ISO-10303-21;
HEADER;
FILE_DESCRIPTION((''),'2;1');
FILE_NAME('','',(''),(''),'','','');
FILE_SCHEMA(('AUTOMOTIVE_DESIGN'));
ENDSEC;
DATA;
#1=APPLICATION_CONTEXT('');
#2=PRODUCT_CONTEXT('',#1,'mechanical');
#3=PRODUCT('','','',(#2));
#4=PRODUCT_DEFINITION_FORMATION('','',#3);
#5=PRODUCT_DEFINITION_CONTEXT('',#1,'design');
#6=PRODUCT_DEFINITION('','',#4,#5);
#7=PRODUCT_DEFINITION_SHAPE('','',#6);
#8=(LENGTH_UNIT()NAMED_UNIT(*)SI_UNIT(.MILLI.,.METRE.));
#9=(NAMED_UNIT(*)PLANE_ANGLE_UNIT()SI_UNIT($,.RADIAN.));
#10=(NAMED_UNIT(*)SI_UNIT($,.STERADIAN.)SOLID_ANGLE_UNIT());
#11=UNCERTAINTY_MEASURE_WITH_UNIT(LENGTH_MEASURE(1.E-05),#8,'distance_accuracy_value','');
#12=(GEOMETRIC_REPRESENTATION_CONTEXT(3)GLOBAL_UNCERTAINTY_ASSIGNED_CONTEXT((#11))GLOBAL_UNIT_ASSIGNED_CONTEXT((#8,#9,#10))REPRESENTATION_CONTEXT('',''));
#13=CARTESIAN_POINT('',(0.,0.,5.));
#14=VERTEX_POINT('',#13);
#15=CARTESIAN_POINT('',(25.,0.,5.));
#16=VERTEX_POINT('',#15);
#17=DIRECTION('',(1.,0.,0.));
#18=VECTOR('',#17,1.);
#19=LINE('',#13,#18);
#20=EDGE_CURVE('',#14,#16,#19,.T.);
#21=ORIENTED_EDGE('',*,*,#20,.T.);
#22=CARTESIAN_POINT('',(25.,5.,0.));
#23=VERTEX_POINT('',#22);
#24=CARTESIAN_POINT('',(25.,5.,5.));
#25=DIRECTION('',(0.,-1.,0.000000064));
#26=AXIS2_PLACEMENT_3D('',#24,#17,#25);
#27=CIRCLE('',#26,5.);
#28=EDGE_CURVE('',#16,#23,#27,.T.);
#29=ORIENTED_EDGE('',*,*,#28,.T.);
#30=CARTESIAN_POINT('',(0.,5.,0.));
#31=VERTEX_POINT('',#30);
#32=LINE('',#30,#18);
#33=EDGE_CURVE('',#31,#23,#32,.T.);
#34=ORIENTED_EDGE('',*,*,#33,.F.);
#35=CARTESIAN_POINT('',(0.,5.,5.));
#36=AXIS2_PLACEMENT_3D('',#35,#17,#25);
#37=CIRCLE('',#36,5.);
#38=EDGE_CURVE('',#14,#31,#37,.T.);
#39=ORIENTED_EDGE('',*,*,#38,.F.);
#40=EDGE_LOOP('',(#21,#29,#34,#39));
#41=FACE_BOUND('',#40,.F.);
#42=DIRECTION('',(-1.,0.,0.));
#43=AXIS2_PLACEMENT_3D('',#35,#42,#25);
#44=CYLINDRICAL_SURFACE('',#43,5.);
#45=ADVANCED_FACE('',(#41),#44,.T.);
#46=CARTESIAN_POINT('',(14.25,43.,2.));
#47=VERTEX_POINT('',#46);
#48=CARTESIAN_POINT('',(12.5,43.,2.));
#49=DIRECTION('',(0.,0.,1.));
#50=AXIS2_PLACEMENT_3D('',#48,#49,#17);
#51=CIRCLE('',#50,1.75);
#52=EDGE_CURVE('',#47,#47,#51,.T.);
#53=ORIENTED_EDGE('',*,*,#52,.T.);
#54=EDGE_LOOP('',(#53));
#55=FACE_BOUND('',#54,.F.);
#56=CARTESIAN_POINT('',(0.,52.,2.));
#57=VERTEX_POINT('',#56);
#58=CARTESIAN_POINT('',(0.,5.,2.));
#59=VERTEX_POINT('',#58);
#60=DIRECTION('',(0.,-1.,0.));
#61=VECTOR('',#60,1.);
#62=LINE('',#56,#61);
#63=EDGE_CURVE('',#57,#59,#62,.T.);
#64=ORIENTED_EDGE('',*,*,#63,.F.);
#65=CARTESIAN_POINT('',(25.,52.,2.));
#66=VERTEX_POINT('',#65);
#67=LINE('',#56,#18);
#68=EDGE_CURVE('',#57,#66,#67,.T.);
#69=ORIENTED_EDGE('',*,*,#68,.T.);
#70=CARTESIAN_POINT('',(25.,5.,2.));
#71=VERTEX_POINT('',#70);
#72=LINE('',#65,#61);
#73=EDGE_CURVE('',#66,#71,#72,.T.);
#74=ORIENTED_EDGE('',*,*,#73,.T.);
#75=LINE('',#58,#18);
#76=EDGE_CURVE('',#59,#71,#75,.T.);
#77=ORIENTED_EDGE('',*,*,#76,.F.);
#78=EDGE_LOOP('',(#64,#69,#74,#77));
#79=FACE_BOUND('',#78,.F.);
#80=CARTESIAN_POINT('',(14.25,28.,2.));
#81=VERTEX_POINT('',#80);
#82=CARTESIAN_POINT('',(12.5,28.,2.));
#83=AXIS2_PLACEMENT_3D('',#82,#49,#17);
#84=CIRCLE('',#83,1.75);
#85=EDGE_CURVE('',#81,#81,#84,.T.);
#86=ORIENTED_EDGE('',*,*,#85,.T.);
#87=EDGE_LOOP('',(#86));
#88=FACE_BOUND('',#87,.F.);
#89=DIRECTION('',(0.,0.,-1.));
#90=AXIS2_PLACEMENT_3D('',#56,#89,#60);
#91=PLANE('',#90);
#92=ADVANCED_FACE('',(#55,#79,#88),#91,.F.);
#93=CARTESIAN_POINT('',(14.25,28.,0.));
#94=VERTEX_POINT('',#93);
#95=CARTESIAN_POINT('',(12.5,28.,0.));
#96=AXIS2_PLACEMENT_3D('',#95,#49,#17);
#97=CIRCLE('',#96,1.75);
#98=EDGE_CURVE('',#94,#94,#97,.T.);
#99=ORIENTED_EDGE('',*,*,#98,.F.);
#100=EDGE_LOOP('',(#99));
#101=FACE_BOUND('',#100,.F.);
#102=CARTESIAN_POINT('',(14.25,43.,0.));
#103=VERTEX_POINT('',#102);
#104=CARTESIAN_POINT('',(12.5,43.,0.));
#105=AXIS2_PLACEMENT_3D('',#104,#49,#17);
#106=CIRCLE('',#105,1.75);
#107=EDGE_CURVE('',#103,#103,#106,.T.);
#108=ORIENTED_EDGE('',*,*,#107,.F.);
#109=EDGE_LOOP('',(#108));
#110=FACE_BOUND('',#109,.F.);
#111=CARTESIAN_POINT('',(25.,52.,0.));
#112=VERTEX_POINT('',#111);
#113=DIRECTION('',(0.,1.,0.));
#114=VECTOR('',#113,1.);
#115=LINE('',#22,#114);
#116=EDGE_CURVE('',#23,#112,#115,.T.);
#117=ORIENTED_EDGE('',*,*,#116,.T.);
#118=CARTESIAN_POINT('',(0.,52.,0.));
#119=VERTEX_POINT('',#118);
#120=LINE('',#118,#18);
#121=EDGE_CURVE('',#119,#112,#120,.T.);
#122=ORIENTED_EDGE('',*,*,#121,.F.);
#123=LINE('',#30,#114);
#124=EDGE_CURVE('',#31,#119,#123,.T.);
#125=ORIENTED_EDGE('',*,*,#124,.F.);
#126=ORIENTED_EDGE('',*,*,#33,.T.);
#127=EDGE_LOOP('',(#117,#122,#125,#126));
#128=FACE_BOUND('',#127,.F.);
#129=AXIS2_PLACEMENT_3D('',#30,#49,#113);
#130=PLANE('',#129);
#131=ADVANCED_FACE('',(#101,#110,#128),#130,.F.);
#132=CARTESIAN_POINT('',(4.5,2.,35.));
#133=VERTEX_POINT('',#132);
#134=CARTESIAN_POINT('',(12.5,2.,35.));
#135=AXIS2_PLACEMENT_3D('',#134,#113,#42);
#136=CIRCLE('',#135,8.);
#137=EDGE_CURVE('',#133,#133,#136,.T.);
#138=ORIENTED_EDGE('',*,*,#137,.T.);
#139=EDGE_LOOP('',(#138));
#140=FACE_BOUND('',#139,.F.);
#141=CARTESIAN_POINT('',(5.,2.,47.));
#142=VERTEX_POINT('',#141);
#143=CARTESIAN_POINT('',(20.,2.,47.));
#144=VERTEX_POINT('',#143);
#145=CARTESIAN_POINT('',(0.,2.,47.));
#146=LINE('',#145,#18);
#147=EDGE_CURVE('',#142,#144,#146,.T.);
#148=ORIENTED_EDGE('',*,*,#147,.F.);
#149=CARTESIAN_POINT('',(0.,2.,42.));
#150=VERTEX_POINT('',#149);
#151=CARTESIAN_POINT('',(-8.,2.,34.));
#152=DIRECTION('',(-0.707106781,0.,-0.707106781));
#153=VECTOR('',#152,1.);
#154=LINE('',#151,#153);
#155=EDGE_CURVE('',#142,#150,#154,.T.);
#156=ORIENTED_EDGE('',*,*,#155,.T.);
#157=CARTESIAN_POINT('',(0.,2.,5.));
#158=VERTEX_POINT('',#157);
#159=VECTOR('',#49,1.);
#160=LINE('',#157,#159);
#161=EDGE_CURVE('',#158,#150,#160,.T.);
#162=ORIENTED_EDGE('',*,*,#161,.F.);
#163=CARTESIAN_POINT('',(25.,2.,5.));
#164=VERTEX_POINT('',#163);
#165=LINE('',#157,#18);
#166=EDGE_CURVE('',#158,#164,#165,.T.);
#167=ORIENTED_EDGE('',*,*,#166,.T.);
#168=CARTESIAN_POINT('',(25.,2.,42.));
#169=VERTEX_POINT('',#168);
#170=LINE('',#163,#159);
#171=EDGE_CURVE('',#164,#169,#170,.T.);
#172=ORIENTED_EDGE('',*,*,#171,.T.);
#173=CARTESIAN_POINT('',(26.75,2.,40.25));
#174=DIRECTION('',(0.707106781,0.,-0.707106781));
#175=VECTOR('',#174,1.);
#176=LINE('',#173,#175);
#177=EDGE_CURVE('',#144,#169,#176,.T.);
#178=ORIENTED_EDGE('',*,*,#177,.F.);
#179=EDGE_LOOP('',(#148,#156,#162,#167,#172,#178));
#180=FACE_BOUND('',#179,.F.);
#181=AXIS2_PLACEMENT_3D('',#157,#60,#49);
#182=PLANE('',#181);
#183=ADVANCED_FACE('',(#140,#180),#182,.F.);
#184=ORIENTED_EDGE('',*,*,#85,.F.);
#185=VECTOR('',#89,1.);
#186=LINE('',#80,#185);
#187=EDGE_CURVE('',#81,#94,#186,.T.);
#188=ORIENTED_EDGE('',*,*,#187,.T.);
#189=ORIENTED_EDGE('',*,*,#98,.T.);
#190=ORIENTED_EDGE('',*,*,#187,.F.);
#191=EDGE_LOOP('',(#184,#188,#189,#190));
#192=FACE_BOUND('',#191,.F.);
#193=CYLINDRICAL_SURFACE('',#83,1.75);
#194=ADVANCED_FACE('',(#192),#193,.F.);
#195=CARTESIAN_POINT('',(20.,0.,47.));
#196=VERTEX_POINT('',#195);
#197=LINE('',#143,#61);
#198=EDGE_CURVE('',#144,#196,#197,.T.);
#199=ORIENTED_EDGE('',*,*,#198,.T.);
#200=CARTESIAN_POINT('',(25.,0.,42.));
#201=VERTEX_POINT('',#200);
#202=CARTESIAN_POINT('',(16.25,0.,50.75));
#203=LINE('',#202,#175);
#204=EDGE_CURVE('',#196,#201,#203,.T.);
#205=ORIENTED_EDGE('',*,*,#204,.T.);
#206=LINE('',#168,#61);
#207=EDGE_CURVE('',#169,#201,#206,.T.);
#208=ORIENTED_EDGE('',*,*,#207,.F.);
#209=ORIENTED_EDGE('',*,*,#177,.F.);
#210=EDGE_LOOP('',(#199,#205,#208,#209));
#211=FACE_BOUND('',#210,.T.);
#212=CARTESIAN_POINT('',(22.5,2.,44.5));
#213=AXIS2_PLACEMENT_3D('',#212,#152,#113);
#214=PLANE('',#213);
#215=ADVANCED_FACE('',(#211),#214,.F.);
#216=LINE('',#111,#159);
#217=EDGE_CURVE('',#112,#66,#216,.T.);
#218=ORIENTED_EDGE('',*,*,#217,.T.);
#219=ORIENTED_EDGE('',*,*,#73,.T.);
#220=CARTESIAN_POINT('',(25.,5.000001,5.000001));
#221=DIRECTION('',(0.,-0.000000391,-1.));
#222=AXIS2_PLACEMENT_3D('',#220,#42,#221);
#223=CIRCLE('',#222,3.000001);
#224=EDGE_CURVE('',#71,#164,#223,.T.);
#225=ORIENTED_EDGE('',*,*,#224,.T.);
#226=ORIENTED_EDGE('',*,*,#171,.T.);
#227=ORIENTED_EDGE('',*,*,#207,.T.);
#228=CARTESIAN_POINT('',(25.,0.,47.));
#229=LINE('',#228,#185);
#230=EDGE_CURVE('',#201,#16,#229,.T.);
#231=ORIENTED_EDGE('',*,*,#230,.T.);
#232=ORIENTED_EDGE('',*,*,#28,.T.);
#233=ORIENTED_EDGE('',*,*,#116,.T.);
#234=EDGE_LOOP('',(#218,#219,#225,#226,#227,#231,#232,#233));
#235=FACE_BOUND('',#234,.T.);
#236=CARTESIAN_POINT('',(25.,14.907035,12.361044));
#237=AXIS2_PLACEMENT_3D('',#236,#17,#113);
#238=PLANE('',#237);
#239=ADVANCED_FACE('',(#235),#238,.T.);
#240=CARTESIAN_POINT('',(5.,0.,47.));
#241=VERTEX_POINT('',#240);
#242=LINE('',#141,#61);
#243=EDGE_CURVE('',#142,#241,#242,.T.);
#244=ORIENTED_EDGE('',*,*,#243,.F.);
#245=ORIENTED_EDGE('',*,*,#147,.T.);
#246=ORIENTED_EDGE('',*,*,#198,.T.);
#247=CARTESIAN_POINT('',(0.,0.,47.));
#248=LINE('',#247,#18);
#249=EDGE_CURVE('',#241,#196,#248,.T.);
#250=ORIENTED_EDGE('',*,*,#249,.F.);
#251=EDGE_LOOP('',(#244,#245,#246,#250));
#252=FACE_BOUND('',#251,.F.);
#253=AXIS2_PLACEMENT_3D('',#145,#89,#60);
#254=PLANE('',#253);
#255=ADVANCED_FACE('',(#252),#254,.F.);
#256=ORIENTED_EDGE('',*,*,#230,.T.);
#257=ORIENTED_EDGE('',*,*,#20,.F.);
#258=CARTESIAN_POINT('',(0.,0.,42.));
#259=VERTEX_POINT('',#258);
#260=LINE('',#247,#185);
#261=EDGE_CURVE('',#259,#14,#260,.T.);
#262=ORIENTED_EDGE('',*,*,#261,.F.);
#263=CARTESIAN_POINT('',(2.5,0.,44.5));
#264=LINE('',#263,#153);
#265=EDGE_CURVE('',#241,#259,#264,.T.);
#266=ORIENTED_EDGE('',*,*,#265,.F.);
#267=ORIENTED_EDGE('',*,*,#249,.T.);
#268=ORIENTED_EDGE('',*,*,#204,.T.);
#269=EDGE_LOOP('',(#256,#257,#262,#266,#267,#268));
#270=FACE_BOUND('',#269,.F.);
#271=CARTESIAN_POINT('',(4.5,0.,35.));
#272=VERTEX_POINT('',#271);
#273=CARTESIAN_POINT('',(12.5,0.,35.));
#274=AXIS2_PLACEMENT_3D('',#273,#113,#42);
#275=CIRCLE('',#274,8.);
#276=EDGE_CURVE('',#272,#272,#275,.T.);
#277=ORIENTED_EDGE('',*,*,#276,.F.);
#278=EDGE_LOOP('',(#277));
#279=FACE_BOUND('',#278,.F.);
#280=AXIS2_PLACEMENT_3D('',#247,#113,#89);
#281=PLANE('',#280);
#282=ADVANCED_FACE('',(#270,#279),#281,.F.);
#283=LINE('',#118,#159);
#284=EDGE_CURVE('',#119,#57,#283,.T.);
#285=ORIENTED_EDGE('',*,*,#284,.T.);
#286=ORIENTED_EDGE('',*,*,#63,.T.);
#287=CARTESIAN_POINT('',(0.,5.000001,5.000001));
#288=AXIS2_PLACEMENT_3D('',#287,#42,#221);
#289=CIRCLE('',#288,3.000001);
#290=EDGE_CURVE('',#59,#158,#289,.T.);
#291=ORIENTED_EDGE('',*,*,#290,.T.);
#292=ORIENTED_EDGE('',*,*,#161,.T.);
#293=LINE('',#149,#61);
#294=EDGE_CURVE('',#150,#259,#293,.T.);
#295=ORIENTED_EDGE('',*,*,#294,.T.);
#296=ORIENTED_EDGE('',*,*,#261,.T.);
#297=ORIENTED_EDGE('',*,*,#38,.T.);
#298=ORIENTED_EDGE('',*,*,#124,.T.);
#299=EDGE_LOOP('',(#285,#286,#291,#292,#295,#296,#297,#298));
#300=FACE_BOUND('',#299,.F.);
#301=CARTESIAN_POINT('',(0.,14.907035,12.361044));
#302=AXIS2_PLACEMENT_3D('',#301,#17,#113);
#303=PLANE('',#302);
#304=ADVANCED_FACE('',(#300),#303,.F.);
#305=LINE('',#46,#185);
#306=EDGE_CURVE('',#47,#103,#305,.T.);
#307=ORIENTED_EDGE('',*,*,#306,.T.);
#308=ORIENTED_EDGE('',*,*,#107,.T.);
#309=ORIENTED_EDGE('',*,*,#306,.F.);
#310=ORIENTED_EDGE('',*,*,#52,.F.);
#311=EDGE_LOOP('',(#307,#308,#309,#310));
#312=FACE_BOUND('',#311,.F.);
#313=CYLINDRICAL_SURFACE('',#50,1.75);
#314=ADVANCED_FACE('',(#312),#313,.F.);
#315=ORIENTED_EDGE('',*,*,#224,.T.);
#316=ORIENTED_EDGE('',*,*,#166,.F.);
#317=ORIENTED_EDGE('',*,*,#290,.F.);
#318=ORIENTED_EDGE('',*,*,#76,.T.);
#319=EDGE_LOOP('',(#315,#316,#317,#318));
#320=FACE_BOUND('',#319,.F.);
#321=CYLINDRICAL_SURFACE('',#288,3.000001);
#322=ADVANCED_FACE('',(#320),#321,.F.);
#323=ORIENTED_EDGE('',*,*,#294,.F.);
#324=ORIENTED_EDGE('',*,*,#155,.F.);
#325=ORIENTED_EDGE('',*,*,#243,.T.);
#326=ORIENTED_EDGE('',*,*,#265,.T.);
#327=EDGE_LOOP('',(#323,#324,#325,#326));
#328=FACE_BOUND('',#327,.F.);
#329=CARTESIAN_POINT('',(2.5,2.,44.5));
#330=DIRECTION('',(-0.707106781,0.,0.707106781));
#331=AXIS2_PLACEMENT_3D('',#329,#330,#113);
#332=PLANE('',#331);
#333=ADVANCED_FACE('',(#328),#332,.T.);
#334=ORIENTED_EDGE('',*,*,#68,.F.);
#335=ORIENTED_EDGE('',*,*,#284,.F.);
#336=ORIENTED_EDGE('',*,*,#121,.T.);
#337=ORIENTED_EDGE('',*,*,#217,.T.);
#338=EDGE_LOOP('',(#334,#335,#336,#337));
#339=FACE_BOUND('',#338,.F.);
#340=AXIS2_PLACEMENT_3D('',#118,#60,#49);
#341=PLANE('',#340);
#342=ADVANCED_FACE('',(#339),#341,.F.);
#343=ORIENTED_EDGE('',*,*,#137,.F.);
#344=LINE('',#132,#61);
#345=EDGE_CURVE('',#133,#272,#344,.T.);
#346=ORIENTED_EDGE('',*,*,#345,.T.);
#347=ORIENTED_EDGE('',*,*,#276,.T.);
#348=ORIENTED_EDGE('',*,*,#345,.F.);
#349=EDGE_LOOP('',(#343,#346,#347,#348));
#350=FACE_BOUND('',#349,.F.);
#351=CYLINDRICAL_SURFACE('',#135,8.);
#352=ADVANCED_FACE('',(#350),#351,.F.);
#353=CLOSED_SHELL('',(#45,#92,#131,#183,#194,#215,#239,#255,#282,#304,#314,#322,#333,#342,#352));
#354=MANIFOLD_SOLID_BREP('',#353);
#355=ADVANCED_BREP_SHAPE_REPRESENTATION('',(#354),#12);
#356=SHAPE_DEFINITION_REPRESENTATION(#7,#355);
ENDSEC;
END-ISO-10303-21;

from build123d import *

# Parameters (mm, degrees)
F1_DEPTH = 25
F2_R     = 8
F3_DEPTH = 25
F4_SIZE  = 5
F5_R     = 1.75
F6_DEPTH = 25


with BuildPart() as f1:
    # F0 (on Right) → F1 (new body)
    with BuildSketch(Plane.YZ):
        with BuildLine():
            Line((2, 47), (0, 47))
            Line((0, 47), (0, 5))
            ThreePointArc((0, 5), (1.464466, 1.464466), (5, 0))
            Line((5, 0), (52, 0))
            Line((52, 0), (52, 2))
            Line((52, 2), (5, 2))
            ThreePointArc((5, 2), (2.87868, 2.87868), (2, 5))
            Line((2, 5), (2, 47))
        make_face()
    extrude(amount=F1_DEPTH)

    # F2 (on face) → F3 (cut)
    with BuildSketch(Plane(origin=(0, 2, 0), x_dir=(-1, 0, 0), z_dir=(0, 1, 0))):
        with Locations((-12.5, 35)):
            Circle(F2_R)
    extrude(amount=-F3_DEPTH, mode=Mode.SUBTRACT)

    # F4
    f4_edges = [f1.edges().sort_by_distance(p)[0] for p in [
        (0, 1, 47),
        (25, 1, 47),
    ]]
    chamfer(f4_edges, length=F4_SIZE)

    # F5 (on face) → F6 (cut)
    with BuildSketch(Plane.XY.offset(2)):
        with Locations((12.5, 43)):
            Circle(F5_R)
        with Locations((12.5, 28)):
            Circle(F5_R)
    extrude(amount=-F6_DEPTH, mode=Mode.SUBTRACT)


solid = f1.part
